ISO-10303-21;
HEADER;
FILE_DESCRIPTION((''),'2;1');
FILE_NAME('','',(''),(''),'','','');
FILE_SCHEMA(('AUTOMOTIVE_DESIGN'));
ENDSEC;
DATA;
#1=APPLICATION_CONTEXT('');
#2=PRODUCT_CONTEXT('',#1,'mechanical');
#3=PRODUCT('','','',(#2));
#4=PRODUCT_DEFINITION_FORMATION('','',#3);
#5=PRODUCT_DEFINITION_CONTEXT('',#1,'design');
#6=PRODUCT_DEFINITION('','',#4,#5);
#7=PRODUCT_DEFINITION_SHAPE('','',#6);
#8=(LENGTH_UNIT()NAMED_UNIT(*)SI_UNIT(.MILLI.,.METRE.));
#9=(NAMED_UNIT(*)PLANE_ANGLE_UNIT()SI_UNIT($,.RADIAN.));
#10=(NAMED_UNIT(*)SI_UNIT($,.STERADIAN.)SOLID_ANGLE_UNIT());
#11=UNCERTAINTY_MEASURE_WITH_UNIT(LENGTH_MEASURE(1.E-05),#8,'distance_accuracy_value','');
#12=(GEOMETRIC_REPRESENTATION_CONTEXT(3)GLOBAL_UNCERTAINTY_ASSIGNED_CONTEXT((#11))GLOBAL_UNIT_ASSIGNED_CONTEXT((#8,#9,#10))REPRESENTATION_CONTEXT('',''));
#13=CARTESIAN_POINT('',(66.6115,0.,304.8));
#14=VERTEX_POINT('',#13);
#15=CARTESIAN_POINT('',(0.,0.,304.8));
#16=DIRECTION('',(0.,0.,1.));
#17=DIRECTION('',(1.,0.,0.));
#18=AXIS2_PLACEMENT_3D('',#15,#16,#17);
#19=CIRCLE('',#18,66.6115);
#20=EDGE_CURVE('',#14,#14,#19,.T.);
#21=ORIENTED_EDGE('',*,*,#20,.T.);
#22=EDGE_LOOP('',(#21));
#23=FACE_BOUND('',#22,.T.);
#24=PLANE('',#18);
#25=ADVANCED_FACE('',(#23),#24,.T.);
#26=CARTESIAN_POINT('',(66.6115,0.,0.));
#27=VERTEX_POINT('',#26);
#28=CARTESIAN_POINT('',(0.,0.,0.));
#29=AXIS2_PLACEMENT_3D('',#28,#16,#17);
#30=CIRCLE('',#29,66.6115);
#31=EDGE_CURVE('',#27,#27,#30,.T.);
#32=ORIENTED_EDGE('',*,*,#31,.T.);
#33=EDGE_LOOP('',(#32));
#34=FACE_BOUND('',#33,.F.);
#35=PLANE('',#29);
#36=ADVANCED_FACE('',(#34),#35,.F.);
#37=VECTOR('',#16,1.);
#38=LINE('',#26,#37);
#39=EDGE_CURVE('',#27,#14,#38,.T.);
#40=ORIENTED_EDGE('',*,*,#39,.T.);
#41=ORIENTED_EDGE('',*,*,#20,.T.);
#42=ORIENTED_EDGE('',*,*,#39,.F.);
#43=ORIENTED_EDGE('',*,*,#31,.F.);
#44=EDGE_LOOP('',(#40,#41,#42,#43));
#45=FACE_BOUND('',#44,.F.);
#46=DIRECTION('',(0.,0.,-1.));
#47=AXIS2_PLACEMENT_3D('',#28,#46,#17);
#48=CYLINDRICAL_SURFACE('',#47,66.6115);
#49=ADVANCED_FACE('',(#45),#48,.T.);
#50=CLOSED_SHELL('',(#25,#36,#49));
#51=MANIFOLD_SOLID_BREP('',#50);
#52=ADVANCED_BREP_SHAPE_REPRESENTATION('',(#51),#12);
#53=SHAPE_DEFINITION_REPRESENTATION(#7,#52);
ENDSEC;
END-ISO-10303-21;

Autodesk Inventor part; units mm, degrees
ref_plane "YZ Plane" through (0, 0, 0) normal (1, 0, 0) x (0, 1, 0)
ref_plane "XZ Plane" through (0, 0, 0) normal (0, 1, 0) x (-1, 0, 0)
ref_plane "XY Plane" through (0, 0, 0) normal (0, 0, 1) x (1, 0, 0)
sketch "Sketch1" plane through (0, 0, 0) normal (0, 0, 1) x (1, 0, 0)
  circle A0 centre (0, 0) radius 66.6115
  dimension "d0" = 133.223
extrude "Extrusion1" add sketch "Sketch1" along normal blind 304.8
sketch "Sketch2" plane through (0, 0, 0) normal (1, 0, 0) x (0, 1, 0)
  point P0 (0, 0)
sketch "Sketch3" plane through (0, 0, 0) normal (0, 0, 1) x (1, 0, 0)
  point P0 (0, 0)
sketch "Sketch4" plane through (0, 0, 0) normal (1, 0, 0) x (0, 1, 0)
  point P0 (0, 0)
properties part number "Shaft Connecting Support"
